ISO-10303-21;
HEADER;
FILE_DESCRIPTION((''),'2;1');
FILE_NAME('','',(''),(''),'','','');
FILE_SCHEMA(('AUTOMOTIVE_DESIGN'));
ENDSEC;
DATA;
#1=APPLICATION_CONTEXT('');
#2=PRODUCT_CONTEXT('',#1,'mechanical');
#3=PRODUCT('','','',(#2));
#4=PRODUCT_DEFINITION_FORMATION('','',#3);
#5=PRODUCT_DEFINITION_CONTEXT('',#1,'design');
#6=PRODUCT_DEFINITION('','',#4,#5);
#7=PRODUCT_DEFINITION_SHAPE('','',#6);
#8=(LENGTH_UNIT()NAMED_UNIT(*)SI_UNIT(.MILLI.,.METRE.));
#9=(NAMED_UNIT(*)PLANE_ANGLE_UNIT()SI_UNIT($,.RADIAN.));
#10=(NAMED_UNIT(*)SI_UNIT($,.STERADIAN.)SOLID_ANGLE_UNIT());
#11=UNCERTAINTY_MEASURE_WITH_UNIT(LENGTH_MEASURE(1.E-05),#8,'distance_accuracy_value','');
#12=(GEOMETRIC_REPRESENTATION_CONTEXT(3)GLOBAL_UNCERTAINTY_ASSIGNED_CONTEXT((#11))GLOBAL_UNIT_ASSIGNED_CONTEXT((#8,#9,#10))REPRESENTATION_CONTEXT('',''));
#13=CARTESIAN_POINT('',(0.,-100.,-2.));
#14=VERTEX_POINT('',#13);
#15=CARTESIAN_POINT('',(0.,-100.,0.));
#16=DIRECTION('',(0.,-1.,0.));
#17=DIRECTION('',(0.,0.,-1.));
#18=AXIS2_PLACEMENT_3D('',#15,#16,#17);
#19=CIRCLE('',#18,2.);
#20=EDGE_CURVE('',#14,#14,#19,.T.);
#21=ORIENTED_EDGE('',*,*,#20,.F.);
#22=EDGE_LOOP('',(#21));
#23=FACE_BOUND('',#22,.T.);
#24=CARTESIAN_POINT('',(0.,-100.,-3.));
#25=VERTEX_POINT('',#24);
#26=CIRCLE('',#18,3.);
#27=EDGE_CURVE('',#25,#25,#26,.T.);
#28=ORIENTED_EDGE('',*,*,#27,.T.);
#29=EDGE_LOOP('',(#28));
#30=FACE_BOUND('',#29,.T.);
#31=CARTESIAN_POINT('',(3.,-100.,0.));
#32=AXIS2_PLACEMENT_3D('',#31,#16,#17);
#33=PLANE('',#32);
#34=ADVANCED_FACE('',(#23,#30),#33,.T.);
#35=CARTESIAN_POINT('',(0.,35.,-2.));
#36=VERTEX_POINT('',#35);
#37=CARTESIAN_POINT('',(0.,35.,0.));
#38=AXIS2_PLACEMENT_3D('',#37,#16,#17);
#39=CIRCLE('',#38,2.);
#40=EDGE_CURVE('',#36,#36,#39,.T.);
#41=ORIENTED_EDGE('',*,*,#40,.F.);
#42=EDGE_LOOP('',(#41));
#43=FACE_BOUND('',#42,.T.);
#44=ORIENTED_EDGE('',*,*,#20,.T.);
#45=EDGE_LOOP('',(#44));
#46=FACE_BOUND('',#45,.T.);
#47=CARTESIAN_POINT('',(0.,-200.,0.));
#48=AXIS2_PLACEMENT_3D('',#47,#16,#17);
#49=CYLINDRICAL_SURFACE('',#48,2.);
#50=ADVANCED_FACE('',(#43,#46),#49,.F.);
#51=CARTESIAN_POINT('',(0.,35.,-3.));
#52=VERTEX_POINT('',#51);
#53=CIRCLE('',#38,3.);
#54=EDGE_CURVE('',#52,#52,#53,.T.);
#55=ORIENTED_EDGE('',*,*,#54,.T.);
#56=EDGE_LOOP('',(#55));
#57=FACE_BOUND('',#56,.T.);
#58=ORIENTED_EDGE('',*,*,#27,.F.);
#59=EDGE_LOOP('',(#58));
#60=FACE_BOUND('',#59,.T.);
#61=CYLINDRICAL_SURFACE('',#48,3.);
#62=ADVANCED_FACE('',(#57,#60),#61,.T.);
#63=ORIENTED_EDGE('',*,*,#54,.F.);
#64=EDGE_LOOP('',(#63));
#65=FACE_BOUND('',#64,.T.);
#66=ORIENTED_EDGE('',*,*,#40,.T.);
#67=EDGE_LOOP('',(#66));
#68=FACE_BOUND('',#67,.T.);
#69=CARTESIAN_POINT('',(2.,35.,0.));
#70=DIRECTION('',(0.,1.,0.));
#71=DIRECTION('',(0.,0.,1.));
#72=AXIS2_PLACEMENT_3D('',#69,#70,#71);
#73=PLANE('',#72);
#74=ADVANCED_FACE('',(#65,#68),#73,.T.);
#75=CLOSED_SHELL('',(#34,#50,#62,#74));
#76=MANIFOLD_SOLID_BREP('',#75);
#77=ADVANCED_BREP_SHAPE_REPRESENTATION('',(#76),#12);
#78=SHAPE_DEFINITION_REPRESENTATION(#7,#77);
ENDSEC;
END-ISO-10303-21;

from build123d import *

# Parameters (mm, degrees)
SKETCH1_W = 1
SKETCH1_H = 135


with BuildPart() as part:
    # Sketch1 → Revolve1 (revolve)
    with BuildSketch(Plane.XY, mode=Mode.PRIVATE) as revolve1_sk:
        with Locations((2.5, -32.5)):
            Rectangle(SKETCH1_W, SKETCH1_H)
    revolve(revolve1_sk.sketch.rotate(Axis((0, -200, 0), (0, 1, 0)), 90), axis=Axis((0, -200, 0), (0, 1, 0)))


solid = part.part
